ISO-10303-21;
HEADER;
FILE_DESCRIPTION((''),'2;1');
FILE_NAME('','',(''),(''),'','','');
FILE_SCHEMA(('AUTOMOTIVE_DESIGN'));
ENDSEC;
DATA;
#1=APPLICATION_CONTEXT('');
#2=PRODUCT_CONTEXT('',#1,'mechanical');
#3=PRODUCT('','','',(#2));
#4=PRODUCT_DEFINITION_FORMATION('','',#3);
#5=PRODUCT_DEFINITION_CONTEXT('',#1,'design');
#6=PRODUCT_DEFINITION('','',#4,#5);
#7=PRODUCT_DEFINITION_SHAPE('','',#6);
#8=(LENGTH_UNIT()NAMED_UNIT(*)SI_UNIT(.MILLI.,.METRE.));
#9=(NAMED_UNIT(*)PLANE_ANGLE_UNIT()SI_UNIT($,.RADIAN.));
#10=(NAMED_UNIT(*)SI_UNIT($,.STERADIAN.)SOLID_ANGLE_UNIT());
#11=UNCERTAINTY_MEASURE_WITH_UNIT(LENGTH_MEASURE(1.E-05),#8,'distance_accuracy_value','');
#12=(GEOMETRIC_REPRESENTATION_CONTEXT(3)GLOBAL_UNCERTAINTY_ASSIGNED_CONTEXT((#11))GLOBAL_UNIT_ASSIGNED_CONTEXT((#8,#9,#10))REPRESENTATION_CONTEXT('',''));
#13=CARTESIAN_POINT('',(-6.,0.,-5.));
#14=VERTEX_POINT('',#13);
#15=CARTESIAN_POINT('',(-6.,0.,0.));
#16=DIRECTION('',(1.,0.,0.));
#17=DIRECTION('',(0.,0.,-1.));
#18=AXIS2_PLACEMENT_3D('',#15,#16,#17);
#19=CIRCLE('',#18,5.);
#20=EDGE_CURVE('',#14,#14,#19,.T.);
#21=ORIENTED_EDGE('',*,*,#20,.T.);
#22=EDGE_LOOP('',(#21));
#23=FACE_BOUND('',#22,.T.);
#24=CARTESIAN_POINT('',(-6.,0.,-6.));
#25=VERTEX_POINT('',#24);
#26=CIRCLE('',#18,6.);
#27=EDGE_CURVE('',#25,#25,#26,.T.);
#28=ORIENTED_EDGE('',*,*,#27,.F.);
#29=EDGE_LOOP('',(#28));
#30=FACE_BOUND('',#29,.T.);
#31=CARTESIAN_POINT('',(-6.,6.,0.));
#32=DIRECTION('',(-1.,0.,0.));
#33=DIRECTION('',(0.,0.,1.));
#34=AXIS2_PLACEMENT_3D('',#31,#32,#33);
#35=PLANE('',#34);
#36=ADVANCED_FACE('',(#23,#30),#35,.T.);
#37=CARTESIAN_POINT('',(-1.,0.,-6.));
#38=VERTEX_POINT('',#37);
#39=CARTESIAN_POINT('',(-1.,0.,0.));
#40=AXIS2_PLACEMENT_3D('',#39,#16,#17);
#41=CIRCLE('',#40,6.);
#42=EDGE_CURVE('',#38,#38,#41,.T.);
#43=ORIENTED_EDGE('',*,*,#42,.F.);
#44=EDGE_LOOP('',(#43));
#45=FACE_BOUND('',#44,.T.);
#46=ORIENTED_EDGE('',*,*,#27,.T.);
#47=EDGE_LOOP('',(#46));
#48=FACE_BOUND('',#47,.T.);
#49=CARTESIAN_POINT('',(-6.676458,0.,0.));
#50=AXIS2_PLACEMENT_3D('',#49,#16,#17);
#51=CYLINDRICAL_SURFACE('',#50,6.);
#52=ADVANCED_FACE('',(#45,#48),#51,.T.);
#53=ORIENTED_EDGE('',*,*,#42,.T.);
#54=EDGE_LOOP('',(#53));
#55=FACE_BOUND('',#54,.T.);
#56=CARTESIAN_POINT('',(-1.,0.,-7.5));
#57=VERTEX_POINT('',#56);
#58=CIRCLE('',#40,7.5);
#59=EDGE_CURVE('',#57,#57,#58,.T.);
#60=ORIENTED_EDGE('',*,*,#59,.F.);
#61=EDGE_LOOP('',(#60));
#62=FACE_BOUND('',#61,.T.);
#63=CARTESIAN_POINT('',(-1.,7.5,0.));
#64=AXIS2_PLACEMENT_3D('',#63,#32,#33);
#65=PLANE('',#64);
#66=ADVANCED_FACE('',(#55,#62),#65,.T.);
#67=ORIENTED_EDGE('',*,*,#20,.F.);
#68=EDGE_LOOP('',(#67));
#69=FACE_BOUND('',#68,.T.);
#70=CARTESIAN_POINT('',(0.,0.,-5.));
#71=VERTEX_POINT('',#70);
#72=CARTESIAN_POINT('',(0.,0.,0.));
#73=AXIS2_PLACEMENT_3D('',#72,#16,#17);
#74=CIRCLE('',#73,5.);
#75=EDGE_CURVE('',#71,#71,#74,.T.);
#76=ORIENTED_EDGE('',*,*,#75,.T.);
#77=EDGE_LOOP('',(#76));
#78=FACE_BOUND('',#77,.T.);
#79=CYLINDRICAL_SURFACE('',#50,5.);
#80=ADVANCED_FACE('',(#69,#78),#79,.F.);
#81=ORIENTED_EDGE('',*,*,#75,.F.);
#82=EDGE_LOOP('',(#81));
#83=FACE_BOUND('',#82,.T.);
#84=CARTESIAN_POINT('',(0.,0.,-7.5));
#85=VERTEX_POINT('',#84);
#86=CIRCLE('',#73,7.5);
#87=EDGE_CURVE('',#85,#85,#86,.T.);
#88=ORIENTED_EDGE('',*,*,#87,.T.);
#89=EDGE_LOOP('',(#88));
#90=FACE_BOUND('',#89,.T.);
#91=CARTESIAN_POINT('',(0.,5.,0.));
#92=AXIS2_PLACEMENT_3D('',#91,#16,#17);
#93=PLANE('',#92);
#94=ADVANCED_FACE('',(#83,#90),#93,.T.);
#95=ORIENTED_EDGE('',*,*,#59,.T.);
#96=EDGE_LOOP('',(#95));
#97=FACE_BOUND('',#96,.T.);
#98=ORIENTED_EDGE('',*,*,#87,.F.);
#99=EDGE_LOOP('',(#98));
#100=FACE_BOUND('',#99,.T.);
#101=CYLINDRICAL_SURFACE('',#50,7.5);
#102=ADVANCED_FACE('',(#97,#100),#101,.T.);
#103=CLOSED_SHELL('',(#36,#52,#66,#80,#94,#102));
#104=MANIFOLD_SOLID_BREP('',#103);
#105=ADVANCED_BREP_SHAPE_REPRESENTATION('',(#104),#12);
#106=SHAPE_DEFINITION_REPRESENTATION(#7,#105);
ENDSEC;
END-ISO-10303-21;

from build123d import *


with BuildPart() as part:
    # Skizze1 → Rotation1 (revolve)
    with BuildSketch(Plane.XY):
        Polygon((-6, 5), (0, 5), (0, 7.5), (-1, 7.5), (-1, 6), (-6, 6), align=None)
    revolve(axis=Axis((-6.676457764, 0, 0), (-1, 0, 0)))


solid = part.part
